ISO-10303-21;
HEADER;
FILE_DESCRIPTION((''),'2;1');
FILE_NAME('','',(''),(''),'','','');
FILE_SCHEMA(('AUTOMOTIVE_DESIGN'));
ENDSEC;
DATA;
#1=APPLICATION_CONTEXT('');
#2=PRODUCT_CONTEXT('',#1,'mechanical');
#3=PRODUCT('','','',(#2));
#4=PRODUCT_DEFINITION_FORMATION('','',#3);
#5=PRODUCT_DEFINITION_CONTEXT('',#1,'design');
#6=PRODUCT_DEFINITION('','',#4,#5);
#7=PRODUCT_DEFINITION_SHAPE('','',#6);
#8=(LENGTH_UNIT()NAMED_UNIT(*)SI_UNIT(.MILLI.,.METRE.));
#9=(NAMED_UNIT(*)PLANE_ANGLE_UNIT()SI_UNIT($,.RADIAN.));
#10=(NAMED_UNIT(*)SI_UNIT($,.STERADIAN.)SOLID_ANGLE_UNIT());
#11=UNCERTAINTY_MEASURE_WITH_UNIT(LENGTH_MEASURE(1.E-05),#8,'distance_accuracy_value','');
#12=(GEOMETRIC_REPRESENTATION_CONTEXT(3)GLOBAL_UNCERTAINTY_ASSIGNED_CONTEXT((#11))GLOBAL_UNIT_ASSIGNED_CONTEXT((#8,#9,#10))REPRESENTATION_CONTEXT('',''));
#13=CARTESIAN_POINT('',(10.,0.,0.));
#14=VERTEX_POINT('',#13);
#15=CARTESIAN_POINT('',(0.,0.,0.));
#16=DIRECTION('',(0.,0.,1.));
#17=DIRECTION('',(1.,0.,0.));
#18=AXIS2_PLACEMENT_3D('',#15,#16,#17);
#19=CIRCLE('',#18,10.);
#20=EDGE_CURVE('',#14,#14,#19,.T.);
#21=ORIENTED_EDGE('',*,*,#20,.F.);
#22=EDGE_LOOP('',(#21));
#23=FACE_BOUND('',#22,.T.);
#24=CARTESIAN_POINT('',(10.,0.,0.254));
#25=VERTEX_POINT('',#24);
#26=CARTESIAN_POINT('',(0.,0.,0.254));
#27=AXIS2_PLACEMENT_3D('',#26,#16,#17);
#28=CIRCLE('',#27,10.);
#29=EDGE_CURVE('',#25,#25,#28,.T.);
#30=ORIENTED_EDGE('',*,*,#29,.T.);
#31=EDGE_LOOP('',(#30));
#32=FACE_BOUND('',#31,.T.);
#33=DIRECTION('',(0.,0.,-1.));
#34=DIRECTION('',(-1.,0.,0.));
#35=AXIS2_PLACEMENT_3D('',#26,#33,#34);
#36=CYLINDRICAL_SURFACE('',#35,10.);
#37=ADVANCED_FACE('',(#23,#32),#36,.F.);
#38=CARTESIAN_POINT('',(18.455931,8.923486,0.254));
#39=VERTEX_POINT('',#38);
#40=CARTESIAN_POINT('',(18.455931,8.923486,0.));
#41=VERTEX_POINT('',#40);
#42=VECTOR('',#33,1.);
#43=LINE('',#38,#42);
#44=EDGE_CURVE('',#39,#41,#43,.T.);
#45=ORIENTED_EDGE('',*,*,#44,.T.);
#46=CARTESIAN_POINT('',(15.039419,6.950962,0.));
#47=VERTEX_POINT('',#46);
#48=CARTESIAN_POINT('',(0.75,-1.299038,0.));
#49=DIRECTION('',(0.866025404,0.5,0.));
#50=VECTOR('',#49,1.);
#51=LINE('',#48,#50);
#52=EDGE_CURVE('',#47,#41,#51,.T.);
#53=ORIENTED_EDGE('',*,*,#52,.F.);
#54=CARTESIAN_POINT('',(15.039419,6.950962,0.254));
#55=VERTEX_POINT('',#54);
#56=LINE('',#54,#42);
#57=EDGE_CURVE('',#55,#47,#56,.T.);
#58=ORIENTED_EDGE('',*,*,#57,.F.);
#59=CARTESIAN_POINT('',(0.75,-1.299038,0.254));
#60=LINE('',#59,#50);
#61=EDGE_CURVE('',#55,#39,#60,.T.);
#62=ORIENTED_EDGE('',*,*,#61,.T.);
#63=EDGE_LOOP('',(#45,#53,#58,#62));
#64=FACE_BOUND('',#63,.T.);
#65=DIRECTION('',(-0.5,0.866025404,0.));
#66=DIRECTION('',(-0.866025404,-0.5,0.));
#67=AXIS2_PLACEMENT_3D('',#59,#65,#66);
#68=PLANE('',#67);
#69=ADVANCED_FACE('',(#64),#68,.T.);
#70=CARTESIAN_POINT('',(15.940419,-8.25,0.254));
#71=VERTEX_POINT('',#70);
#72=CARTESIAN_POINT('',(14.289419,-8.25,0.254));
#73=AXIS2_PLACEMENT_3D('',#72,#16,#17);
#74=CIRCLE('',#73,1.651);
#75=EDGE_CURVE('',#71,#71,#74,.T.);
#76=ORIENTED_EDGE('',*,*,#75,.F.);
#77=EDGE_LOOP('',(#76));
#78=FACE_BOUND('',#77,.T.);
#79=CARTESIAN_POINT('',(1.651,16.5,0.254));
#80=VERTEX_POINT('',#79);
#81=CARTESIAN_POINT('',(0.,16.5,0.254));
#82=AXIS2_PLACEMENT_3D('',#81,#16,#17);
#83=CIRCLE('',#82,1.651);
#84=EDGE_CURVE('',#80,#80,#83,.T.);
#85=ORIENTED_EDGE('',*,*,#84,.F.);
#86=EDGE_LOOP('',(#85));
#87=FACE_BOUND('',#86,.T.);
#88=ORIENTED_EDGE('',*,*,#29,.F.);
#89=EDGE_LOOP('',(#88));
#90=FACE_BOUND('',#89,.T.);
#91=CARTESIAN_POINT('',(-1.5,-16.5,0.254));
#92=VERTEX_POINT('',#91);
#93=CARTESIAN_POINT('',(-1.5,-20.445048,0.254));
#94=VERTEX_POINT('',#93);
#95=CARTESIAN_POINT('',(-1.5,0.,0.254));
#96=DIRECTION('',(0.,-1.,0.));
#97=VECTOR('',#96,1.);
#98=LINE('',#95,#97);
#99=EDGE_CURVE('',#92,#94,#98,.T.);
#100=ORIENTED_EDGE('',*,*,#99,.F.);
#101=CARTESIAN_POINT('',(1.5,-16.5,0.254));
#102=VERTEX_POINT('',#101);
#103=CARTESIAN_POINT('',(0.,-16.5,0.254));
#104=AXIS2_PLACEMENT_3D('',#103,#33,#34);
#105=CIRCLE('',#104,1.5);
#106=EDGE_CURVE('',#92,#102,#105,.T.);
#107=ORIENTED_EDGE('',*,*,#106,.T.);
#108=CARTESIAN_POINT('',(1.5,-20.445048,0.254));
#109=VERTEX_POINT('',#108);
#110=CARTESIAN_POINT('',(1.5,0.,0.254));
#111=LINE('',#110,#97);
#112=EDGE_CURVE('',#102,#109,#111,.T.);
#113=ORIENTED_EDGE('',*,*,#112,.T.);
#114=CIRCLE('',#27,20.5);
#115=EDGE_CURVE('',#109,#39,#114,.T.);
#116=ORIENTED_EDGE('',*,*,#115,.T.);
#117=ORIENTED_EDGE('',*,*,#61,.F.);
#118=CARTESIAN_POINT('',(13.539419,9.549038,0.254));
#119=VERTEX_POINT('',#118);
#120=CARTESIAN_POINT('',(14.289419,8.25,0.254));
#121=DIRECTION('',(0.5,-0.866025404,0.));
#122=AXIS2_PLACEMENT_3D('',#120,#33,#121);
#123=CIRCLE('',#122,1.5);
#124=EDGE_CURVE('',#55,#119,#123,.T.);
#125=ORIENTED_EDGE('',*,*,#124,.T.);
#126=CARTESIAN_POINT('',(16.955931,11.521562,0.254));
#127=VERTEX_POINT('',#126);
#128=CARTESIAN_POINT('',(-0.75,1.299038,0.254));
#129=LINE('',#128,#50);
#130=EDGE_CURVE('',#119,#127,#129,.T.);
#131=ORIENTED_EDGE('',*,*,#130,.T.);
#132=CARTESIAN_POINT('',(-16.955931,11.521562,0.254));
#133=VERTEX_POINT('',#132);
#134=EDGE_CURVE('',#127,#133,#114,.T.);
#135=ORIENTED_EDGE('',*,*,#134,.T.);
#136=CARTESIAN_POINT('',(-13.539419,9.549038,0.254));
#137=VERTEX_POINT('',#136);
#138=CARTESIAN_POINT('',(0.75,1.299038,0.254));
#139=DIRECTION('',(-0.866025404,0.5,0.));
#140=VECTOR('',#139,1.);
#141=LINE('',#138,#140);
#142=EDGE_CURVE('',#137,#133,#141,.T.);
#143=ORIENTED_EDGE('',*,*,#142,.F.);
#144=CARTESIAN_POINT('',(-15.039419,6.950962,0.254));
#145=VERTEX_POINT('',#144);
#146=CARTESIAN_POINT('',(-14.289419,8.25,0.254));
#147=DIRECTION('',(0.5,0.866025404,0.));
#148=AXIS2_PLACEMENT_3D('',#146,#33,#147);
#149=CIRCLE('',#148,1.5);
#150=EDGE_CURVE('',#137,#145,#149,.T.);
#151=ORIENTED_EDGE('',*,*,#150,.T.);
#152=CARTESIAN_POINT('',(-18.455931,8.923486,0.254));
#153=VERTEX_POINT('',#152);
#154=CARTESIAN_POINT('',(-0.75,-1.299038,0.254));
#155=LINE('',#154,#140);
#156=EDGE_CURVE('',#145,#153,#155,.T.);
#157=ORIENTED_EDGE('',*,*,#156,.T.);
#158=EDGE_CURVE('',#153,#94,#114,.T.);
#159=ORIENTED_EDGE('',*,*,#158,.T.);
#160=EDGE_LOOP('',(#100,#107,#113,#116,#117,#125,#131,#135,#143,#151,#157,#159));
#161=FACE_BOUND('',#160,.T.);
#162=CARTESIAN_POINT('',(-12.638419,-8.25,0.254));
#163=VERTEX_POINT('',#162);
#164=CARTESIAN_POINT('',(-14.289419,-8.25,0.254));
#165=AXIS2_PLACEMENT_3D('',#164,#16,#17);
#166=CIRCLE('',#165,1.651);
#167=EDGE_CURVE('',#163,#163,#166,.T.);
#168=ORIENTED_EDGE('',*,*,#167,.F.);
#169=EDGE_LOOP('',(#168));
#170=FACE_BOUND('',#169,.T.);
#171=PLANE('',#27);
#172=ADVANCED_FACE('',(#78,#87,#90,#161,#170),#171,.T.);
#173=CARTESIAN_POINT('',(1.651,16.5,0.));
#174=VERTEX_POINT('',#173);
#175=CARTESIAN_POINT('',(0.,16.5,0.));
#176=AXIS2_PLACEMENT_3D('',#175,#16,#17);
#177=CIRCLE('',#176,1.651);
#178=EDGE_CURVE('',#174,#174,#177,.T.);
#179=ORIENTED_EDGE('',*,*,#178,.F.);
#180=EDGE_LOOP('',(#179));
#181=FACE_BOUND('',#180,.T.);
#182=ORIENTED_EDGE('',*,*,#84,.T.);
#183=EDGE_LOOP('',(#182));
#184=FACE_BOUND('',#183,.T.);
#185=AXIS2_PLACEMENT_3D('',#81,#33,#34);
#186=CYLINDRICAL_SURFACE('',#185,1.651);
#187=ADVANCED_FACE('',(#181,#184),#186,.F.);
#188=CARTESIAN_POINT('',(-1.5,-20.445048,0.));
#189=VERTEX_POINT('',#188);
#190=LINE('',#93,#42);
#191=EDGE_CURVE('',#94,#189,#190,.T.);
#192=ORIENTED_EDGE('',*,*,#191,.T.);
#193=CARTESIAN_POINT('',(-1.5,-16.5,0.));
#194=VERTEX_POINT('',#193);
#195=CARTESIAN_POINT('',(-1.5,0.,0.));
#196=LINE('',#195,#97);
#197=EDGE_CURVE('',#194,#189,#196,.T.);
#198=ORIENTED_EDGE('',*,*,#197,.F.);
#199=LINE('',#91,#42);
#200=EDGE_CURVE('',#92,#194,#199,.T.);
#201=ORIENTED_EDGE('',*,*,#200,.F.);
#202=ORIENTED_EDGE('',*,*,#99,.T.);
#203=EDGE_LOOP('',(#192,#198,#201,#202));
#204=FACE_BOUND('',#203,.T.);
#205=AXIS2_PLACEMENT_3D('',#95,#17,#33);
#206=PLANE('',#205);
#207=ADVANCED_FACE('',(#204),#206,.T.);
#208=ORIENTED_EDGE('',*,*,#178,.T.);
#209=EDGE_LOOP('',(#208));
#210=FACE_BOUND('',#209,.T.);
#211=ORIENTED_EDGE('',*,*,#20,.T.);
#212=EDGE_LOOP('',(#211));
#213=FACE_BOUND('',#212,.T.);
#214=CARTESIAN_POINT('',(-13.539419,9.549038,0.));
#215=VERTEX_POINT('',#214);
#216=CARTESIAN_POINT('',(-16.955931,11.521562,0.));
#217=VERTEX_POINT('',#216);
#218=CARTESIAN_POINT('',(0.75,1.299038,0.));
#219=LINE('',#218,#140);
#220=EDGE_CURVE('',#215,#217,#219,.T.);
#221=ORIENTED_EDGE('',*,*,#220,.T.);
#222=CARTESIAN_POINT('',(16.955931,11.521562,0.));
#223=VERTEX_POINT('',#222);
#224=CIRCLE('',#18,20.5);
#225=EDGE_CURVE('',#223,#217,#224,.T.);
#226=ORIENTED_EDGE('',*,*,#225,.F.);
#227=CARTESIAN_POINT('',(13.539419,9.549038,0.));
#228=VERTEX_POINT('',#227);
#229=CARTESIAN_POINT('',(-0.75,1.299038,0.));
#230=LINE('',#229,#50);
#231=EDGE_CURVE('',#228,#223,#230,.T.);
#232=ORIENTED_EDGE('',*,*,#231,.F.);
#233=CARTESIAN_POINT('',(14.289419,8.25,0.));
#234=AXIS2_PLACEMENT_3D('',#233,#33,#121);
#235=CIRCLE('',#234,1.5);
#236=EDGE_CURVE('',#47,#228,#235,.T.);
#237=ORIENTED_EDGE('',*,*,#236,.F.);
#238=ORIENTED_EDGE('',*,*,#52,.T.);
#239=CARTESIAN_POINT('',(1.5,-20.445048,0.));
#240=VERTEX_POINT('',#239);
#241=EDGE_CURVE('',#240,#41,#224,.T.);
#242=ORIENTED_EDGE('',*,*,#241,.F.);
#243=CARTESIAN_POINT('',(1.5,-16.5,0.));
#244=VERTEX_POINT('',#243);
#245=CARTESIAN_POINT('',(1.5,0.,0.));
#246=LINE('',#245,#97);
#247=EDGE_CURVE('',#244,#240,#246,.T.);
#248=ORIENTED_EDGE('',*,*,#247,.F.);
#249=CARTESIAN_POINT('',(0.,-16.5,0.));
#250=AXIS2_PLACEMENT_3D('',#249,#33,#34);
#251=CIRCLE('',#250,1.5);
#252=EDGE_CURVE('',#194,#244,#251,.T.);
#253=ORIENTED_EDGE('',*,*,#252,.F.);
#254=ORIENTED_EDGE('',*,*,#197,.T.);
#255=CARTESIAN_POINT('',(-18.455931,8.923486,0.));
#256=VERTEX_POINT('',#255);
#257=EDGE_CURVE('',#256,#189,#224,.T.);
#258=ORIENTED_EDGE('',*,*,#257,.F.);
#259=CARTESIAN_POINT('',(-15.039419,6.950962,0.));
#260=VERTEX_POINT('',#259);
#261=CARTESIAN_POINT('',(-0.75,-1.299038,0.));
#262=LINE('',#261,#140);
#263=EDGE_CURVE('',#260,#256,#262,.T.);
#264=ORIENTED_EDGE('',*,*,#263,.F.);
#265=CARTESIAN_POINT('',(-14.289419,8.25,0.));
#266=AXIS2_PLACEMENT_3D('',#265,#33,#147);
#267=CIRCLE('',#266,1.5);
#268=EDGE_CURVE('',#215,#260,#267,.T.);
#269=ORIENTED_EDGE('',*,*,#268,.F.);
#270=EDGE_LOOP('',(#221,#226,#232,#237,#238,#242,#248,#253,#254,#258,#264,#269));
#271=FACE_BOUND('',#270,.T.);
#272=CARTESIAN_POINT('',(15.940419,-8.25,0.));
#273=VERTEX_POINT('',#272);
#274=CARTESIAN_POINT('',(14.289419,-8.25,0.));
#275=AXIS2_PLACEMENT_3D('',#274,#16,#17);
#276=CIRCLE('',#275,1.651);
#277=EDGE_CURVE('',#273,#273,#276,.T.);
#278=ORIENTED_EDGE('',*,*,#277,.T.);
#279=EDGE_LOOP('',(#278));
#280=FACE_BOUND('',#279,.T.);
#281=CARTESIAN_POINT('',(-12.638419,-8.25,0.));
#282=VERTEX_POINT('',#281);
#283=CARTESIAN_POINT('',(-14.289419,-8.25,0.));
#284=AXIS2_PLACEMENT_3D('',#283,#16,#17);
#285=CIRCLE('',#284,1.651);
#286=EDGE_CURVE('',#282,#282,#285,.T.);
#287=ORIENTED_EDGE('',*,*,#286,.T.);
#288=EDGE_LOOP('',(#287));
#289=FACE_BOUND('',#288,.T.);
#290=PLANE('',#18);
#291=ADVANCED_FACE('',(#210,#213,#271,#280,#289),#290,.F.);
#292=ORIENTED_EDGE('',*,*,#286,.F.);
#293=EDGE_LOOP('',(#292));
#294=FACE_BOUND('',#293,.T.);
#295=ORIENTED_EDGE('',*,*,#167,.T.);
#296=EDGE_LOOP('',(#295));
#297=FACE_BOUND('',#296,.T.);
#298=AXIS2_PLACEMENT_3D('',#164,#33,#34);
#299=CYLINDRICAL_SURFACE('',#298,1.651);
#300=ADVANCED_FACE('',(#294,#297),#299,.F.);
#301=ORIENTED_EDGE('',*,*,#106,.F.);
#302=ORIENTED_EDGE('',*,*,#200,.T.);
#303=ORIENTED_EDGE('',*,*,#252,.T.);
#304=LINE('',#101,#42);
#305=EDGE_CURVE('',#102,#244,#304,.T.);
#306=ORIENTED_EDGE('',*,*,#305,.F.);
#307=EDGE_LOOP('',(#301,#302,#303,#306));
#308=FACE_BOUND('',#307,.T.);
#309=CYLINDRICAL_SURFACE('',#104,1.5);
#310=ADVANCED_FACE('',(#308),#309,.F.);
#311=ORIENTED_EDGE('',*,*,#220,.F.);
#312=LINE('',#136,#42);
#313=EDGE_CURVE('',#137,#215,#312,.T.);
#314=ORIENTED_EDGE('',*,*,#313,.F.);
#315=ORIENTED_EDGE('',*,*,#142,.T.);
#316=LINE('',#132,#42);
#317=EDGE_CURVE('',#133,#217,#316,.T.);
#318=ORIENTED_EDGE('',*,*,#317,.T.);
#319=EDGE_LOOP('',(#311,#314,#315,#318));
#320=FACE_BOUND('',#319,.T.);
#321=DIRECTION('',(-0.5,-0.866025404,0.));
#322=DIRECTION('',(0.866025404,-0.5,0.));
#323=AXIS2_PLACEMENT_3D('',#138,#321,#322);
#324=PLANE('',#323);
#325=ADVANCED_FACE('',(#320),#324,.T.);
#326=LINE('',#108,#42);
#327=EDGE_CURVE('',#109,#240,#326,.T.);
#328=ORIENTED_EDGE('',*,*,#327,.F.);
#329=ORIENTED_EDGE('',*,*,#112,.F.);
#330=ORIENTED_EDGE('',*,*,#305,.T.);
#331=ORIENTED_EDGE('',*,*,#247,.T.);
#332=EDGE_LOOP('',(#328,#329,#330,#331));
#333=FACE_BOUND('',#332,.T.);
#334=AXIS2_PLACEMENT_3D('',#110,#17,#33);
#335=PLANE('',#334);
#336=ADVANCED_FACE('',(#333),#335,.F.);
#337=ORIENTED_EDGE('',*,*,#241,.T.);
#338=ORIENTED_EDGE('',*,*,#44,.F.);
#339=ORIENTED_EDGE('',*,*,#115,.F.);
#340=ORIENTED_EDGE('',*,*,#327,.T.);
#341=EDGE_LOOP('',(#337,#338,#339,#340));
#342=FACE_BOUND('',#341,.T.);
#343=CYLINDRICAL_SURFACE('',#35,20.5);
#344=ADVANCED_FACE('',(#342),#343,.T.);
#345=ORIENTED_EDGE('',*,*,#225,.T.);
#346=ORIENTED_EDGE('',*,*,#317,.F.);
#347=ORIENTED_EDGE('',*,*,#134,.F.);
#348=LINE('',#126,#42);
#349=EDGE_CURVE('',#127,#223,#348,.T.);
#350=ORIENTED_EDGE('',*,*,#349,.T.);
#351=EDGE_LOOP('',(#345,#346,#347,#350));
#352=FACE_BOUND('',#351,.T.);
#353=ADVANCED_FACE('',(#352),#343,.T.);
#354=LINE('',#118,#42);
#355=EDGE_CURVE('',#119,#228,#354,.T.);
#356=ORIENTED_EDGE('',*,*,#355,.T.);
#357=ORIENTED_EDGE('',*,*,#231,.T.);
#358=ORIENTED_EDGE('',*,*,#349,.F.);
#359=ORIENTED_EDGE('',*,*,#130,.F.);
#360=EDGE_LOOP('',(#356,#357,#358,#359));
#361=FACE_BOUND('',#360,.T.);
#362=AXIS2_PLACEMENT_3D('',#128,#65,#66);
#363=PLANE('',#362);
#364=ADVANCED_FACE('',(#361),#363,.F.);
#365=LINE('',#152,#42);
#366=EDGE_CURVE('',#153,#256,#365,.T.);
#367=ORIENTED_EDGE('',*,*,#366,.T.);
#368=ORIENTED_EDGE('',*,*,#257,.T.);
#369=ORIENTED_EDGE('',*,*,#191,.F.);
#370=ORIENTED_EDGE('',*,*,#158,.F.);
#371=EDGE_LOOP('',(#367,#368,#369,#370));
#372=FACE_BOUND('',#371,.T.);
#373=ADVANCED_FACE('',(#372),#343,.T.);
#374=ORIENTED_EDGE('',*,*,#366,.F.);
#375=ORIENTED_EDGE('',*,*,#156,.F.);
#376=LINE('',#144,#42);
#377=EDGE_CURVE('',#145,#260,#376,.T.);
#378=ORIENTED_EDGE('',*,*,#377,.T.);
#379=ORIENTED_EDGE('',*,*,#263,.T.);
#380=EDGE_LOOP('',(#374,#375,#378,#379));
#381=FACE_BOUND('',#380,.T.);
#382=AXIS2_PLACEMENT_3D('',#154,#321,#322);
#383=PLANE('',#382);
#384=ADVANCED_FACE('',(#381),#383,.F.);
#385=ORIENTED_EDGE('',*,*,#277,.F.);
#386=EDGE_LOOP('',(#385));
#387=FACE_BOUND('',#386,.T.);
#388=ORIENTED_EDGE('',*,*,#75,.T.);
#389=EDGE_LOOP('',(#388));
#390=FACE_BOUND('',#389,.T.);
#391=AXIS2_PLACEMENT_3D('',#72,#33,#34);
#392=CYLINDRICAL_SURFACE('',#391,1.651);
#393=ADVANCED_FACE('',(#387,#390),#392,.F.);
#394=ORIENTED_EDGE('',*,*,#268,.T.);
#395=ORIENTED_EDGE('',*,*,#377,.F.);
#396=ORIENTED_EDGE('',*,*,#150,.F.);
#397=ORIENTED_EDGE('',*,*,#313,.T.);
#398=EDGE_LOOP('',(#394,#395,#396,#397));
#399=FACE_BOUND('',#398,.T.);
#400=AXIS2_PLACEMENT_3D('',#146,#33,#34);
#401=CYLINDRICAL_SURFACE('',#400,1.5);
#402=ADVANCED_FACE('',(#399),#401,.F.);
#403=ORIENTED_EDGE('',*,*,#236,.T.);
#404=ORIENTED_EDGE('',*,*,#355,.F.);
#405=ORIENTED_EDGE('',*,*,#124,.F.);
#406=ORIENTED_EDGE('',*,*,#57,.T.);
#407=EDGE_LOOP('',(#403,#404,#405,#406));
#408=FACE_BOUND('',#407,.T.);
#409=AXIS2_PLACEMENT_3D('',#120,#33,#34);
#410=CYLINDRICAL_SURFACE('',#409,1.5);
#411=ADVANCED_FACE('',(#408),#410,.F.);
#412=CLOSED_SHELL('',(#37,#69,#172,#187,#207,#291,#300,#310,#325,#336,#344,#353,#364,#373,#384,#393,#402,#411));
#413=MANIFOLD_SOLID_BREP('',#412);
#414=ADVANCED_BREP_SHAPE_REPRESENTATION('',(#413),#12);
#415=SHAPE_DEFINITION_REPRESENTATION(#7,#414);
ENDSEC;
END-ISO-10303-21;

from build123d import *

# Parameters (mm, degrees)
SKETCH1_R          = 20.5
SKETCH1_R_2        = 10
SKETCH1_R_3        = 1.651
EXTRUDE1_DEPTH     = 0.254
CUT_EXTRUDE1_DEPTH = 29.992490683
CIRPATTERN1_COUNT  = 3


with BuildPart() as part:
    # Sketch1 → Extrude1 (new body)
    with BuildSketch(Plane.XY):
        Circle(SKETCH1_R)
        Circle(SKETCH1_R_2, mode=Mode.SUBTRACT)
        with Locations((0, 16.5)):
            Circle(SKETCH1_R_3, mode=Mode.SUBTRACT)
        with Locations((14.289419162, -8.25)):
            Circle(SKETCH1_R_3, mode=Mode.SUBTRACT)
        with Locations((-14.289419162, -8.25)):
            Circle(SKETCH1_R_3, mode=Mode.SUBTRACT)
    extrude(amount=EXTRUDE1_DEPTH)

    # Sketch4 → Cut-Extrude1 (cut, through all)
    with BuildSketch(Plane(origin=(0, 0, 0), x_dir=(-1, 0, 0), z_dir=(0, 0, -1))):
        with BuildLine():
            ThreePointArc((1.5, -16.5), (0, -15), (-1.5, -16.5))
            Line((-1.5, -16.5), (-1.5, -20.4450483))
            ThreePointArc((-1.5, -20.4450483), (0, -20.5), (1.5, -20.4450483))
            Line((1.5, -20.4450483), (1.5, -16.5))
        make_face()
    cut_extrude1 = extrude(amount=-CUT_EXTRUDE1_DEPTH, mode=Mode.SUBTRACT)

    # CirPattern1: Cut-Extrude1 ×3 about axis
    cirpattern1_axis = Axis((0, 0, 0.254), (0, 0, -1))
    for i in range(1, CIRPATTERN1_COUNT):
        add(cut_extrude1.rotate(cirpattern1_axis, i * 360 / CIRPATTERN1_COUNT), mode=Mode.SUBTRACT)


solid = part.part
